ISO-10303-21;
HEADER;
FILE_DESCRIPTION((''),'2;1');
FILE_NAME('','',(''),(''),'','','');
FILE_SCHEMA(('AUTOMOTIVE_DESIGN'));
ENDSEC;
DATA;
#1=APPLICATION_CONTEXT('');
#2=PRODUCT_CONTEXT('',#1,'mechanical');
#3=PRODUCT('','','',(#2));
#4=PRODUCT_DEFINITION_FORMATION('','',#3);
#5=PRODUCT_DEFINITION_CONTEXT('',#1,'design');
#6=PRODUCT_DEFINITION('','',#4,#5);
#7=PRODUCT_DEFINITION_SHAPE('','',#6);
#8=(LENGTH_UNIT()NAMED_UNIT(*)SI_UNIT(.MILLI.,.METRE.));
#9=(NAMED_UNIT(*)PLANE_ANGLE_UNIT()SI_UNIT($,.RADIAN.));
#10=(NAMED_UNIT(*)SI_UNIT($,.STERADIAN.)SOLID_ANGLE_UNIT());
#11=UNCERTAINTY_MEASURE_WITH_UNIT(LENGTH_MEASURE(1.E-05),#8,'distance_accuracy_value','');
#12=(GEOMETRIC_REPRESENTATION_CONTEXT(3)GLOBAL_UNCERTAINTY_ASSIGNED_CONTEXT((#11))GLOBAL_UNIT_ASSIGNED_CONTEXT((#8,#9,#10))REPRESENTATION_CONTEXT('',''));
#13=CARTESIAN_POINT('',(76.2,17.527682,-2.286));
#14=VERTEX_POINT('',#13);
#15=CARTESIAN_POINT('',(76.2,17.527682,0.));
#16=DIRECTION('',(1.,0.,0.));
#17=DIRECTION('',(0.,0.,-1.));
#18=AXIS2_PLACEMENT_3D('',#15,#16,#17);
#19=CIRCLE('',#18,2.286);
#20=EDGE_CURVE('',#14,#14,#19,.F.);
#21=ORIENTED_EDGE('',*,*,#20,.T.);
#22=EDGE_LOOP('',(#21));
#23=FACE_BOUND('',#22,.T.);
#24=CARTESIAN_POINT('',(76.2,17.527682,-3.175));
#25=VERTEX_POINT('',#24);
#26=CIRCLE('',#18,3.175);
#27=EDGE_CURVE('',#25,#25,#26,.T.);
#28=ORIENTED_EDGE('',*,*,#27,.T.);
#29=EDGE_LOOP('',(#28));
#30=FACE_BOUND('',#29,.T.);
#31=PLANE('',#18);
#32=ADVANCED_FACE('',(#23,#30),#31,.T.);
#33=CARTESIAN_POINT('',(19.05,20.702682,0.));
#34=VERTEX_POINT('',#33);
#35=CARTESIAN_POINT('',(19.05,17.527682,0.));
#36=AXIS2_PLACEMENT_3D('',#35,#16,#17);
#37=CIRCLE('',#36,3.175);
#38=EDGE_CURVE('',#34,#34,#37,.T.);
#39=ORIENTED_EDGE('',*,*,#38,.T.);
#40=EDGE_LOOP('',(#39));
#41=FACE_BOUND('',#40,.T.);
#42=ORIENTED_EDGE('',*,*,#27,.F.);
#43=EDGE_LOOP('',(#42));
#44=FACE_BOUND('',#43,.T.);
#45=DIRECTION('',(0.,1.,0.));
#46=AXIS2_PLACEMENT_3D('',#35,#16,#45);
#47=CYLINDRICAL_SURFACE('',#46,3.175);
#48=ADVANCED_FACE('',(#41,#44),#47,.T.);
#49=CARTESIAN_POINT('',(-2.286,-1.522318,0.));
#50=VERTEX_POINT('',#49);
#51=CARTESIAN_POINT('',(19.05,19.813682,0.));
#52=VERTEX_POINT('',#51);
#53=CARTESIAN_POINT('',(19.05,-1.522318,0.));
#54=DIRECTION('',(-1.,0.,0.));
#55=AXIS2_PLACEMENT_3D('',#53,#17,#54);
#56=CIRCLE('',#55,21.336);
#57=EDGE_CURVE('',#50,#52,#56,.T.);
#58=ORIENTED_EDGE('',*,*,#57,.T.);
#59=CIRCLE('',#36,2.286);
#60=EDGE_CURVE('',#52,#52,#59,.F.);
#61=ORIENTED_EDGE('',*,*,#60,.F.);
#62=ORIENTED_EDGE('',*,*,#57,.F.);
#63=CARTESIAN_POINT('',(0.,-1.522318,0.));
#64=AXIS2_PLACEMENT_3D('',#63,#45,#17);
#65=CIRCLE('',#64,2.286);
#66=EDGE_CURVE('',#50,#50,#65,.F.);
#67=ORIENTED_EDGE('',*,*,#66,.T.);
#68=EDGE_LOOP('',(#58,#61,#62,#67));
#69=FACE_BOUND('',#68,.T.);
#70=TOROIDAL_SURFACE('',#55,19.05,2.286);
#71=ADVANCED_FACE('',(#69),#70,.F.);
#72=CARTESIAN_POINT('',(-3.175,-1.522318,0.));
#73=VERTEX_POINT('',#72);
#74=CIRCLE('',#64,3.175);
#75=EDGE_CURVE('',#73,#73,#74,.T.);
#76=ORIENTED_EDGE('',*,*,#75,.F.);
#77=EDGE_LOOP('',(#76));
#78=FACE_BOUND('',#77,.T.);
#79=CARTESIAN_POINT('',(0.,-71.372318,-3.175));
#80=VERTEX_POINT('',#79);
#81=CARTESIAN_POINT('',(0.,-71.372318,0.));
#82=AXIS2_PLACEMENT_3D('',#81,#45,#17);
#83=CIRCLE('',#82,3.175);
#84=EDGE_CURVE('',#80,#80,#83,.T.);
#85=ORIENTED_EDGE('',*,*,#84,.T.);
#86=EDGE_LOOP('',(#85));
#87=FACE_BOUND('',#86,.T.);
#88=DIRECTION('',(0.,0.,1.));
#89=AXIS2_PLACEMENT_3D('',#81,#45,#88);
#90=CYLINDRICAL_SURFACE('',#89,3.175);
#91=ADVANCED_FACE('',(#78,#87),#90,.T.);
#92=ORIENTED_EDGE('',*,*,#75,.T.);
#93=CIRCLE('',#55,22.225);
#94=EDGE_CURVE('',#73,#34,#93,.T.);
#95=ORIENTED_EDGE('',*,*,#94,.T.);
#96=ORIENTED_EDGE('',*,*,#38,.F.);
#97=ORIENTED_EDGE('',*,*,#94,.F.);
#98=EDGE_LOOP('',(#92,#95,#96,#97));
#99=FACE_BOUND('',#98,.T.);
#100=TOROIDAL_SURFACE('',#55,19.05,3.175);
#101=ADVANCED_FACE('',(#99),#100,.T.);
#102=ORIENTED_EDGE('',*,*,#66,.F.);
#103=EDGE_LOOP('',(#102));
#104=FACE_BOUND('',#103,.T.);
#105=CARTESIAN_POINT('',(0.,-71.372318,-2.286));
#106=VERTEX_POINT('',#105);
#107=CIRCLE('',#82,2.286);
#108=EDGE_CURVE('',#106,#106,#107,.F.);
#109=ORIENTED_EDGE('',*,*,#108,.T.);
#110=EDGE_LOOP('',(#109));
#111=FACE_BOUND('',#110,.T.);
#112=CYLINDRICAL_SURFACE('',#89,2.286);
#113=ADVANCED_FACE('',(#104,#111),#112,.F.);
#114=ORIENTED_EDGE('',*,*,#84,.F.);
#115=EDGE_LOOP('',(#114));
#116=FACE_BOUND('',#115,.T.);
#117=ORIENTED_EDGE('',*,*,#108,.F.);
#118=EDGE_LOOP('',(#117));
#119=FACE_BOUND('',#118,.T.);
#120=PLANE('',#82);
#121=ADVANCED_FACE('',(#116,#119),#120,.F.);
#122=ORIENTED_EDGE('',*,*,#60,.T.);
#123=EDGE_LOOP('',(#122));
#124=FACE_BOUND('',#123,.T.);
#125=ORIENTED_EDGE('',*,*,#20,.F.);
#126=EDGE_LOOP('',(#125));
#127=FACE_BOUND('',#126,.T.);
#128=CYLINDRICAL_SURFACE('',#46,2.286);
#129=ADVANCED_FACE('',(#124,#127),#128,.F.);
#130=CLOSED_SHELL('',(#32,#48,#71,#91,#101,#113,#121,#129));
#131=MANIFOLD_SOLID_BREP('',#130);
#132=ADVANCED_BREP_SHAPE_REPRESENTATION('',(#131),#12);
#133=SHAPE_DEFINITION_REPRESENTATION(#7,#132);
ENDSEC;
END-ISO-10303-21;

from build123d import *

# Parameters (mm, degrees)
SKETCH2_R   = 3.175
SKETCH2_R_2 = 2.286


with BuildPart() as part:
    # Sweep1: sweep along a path in Sketch1
    with BuildLine(Plane.XY) as sweep1_path:
        Line((0, -71.372317881), (0, -1.522317881))
        ThreePointArc((0, -1.522317881), (5.579615818, 11.948066301), (19.05, 17.527682119))
        Line((19.05, 17.527682119), (76.2, 17.527682119))
    # Sketch2 → Sweep1 (sweep)
    with BuildSketch(Plane(origin=(76.2, 17.527682119, 0), x_dir=(0, 0, -1), z_dir=(1, 0, 0))):
        Circle(SKETCH2_R)
        Circle(SKETCH2_R_2, mode=Mode.SUBTRACT)
    sweep(path=sweep1_path.line)


solid = part.part
